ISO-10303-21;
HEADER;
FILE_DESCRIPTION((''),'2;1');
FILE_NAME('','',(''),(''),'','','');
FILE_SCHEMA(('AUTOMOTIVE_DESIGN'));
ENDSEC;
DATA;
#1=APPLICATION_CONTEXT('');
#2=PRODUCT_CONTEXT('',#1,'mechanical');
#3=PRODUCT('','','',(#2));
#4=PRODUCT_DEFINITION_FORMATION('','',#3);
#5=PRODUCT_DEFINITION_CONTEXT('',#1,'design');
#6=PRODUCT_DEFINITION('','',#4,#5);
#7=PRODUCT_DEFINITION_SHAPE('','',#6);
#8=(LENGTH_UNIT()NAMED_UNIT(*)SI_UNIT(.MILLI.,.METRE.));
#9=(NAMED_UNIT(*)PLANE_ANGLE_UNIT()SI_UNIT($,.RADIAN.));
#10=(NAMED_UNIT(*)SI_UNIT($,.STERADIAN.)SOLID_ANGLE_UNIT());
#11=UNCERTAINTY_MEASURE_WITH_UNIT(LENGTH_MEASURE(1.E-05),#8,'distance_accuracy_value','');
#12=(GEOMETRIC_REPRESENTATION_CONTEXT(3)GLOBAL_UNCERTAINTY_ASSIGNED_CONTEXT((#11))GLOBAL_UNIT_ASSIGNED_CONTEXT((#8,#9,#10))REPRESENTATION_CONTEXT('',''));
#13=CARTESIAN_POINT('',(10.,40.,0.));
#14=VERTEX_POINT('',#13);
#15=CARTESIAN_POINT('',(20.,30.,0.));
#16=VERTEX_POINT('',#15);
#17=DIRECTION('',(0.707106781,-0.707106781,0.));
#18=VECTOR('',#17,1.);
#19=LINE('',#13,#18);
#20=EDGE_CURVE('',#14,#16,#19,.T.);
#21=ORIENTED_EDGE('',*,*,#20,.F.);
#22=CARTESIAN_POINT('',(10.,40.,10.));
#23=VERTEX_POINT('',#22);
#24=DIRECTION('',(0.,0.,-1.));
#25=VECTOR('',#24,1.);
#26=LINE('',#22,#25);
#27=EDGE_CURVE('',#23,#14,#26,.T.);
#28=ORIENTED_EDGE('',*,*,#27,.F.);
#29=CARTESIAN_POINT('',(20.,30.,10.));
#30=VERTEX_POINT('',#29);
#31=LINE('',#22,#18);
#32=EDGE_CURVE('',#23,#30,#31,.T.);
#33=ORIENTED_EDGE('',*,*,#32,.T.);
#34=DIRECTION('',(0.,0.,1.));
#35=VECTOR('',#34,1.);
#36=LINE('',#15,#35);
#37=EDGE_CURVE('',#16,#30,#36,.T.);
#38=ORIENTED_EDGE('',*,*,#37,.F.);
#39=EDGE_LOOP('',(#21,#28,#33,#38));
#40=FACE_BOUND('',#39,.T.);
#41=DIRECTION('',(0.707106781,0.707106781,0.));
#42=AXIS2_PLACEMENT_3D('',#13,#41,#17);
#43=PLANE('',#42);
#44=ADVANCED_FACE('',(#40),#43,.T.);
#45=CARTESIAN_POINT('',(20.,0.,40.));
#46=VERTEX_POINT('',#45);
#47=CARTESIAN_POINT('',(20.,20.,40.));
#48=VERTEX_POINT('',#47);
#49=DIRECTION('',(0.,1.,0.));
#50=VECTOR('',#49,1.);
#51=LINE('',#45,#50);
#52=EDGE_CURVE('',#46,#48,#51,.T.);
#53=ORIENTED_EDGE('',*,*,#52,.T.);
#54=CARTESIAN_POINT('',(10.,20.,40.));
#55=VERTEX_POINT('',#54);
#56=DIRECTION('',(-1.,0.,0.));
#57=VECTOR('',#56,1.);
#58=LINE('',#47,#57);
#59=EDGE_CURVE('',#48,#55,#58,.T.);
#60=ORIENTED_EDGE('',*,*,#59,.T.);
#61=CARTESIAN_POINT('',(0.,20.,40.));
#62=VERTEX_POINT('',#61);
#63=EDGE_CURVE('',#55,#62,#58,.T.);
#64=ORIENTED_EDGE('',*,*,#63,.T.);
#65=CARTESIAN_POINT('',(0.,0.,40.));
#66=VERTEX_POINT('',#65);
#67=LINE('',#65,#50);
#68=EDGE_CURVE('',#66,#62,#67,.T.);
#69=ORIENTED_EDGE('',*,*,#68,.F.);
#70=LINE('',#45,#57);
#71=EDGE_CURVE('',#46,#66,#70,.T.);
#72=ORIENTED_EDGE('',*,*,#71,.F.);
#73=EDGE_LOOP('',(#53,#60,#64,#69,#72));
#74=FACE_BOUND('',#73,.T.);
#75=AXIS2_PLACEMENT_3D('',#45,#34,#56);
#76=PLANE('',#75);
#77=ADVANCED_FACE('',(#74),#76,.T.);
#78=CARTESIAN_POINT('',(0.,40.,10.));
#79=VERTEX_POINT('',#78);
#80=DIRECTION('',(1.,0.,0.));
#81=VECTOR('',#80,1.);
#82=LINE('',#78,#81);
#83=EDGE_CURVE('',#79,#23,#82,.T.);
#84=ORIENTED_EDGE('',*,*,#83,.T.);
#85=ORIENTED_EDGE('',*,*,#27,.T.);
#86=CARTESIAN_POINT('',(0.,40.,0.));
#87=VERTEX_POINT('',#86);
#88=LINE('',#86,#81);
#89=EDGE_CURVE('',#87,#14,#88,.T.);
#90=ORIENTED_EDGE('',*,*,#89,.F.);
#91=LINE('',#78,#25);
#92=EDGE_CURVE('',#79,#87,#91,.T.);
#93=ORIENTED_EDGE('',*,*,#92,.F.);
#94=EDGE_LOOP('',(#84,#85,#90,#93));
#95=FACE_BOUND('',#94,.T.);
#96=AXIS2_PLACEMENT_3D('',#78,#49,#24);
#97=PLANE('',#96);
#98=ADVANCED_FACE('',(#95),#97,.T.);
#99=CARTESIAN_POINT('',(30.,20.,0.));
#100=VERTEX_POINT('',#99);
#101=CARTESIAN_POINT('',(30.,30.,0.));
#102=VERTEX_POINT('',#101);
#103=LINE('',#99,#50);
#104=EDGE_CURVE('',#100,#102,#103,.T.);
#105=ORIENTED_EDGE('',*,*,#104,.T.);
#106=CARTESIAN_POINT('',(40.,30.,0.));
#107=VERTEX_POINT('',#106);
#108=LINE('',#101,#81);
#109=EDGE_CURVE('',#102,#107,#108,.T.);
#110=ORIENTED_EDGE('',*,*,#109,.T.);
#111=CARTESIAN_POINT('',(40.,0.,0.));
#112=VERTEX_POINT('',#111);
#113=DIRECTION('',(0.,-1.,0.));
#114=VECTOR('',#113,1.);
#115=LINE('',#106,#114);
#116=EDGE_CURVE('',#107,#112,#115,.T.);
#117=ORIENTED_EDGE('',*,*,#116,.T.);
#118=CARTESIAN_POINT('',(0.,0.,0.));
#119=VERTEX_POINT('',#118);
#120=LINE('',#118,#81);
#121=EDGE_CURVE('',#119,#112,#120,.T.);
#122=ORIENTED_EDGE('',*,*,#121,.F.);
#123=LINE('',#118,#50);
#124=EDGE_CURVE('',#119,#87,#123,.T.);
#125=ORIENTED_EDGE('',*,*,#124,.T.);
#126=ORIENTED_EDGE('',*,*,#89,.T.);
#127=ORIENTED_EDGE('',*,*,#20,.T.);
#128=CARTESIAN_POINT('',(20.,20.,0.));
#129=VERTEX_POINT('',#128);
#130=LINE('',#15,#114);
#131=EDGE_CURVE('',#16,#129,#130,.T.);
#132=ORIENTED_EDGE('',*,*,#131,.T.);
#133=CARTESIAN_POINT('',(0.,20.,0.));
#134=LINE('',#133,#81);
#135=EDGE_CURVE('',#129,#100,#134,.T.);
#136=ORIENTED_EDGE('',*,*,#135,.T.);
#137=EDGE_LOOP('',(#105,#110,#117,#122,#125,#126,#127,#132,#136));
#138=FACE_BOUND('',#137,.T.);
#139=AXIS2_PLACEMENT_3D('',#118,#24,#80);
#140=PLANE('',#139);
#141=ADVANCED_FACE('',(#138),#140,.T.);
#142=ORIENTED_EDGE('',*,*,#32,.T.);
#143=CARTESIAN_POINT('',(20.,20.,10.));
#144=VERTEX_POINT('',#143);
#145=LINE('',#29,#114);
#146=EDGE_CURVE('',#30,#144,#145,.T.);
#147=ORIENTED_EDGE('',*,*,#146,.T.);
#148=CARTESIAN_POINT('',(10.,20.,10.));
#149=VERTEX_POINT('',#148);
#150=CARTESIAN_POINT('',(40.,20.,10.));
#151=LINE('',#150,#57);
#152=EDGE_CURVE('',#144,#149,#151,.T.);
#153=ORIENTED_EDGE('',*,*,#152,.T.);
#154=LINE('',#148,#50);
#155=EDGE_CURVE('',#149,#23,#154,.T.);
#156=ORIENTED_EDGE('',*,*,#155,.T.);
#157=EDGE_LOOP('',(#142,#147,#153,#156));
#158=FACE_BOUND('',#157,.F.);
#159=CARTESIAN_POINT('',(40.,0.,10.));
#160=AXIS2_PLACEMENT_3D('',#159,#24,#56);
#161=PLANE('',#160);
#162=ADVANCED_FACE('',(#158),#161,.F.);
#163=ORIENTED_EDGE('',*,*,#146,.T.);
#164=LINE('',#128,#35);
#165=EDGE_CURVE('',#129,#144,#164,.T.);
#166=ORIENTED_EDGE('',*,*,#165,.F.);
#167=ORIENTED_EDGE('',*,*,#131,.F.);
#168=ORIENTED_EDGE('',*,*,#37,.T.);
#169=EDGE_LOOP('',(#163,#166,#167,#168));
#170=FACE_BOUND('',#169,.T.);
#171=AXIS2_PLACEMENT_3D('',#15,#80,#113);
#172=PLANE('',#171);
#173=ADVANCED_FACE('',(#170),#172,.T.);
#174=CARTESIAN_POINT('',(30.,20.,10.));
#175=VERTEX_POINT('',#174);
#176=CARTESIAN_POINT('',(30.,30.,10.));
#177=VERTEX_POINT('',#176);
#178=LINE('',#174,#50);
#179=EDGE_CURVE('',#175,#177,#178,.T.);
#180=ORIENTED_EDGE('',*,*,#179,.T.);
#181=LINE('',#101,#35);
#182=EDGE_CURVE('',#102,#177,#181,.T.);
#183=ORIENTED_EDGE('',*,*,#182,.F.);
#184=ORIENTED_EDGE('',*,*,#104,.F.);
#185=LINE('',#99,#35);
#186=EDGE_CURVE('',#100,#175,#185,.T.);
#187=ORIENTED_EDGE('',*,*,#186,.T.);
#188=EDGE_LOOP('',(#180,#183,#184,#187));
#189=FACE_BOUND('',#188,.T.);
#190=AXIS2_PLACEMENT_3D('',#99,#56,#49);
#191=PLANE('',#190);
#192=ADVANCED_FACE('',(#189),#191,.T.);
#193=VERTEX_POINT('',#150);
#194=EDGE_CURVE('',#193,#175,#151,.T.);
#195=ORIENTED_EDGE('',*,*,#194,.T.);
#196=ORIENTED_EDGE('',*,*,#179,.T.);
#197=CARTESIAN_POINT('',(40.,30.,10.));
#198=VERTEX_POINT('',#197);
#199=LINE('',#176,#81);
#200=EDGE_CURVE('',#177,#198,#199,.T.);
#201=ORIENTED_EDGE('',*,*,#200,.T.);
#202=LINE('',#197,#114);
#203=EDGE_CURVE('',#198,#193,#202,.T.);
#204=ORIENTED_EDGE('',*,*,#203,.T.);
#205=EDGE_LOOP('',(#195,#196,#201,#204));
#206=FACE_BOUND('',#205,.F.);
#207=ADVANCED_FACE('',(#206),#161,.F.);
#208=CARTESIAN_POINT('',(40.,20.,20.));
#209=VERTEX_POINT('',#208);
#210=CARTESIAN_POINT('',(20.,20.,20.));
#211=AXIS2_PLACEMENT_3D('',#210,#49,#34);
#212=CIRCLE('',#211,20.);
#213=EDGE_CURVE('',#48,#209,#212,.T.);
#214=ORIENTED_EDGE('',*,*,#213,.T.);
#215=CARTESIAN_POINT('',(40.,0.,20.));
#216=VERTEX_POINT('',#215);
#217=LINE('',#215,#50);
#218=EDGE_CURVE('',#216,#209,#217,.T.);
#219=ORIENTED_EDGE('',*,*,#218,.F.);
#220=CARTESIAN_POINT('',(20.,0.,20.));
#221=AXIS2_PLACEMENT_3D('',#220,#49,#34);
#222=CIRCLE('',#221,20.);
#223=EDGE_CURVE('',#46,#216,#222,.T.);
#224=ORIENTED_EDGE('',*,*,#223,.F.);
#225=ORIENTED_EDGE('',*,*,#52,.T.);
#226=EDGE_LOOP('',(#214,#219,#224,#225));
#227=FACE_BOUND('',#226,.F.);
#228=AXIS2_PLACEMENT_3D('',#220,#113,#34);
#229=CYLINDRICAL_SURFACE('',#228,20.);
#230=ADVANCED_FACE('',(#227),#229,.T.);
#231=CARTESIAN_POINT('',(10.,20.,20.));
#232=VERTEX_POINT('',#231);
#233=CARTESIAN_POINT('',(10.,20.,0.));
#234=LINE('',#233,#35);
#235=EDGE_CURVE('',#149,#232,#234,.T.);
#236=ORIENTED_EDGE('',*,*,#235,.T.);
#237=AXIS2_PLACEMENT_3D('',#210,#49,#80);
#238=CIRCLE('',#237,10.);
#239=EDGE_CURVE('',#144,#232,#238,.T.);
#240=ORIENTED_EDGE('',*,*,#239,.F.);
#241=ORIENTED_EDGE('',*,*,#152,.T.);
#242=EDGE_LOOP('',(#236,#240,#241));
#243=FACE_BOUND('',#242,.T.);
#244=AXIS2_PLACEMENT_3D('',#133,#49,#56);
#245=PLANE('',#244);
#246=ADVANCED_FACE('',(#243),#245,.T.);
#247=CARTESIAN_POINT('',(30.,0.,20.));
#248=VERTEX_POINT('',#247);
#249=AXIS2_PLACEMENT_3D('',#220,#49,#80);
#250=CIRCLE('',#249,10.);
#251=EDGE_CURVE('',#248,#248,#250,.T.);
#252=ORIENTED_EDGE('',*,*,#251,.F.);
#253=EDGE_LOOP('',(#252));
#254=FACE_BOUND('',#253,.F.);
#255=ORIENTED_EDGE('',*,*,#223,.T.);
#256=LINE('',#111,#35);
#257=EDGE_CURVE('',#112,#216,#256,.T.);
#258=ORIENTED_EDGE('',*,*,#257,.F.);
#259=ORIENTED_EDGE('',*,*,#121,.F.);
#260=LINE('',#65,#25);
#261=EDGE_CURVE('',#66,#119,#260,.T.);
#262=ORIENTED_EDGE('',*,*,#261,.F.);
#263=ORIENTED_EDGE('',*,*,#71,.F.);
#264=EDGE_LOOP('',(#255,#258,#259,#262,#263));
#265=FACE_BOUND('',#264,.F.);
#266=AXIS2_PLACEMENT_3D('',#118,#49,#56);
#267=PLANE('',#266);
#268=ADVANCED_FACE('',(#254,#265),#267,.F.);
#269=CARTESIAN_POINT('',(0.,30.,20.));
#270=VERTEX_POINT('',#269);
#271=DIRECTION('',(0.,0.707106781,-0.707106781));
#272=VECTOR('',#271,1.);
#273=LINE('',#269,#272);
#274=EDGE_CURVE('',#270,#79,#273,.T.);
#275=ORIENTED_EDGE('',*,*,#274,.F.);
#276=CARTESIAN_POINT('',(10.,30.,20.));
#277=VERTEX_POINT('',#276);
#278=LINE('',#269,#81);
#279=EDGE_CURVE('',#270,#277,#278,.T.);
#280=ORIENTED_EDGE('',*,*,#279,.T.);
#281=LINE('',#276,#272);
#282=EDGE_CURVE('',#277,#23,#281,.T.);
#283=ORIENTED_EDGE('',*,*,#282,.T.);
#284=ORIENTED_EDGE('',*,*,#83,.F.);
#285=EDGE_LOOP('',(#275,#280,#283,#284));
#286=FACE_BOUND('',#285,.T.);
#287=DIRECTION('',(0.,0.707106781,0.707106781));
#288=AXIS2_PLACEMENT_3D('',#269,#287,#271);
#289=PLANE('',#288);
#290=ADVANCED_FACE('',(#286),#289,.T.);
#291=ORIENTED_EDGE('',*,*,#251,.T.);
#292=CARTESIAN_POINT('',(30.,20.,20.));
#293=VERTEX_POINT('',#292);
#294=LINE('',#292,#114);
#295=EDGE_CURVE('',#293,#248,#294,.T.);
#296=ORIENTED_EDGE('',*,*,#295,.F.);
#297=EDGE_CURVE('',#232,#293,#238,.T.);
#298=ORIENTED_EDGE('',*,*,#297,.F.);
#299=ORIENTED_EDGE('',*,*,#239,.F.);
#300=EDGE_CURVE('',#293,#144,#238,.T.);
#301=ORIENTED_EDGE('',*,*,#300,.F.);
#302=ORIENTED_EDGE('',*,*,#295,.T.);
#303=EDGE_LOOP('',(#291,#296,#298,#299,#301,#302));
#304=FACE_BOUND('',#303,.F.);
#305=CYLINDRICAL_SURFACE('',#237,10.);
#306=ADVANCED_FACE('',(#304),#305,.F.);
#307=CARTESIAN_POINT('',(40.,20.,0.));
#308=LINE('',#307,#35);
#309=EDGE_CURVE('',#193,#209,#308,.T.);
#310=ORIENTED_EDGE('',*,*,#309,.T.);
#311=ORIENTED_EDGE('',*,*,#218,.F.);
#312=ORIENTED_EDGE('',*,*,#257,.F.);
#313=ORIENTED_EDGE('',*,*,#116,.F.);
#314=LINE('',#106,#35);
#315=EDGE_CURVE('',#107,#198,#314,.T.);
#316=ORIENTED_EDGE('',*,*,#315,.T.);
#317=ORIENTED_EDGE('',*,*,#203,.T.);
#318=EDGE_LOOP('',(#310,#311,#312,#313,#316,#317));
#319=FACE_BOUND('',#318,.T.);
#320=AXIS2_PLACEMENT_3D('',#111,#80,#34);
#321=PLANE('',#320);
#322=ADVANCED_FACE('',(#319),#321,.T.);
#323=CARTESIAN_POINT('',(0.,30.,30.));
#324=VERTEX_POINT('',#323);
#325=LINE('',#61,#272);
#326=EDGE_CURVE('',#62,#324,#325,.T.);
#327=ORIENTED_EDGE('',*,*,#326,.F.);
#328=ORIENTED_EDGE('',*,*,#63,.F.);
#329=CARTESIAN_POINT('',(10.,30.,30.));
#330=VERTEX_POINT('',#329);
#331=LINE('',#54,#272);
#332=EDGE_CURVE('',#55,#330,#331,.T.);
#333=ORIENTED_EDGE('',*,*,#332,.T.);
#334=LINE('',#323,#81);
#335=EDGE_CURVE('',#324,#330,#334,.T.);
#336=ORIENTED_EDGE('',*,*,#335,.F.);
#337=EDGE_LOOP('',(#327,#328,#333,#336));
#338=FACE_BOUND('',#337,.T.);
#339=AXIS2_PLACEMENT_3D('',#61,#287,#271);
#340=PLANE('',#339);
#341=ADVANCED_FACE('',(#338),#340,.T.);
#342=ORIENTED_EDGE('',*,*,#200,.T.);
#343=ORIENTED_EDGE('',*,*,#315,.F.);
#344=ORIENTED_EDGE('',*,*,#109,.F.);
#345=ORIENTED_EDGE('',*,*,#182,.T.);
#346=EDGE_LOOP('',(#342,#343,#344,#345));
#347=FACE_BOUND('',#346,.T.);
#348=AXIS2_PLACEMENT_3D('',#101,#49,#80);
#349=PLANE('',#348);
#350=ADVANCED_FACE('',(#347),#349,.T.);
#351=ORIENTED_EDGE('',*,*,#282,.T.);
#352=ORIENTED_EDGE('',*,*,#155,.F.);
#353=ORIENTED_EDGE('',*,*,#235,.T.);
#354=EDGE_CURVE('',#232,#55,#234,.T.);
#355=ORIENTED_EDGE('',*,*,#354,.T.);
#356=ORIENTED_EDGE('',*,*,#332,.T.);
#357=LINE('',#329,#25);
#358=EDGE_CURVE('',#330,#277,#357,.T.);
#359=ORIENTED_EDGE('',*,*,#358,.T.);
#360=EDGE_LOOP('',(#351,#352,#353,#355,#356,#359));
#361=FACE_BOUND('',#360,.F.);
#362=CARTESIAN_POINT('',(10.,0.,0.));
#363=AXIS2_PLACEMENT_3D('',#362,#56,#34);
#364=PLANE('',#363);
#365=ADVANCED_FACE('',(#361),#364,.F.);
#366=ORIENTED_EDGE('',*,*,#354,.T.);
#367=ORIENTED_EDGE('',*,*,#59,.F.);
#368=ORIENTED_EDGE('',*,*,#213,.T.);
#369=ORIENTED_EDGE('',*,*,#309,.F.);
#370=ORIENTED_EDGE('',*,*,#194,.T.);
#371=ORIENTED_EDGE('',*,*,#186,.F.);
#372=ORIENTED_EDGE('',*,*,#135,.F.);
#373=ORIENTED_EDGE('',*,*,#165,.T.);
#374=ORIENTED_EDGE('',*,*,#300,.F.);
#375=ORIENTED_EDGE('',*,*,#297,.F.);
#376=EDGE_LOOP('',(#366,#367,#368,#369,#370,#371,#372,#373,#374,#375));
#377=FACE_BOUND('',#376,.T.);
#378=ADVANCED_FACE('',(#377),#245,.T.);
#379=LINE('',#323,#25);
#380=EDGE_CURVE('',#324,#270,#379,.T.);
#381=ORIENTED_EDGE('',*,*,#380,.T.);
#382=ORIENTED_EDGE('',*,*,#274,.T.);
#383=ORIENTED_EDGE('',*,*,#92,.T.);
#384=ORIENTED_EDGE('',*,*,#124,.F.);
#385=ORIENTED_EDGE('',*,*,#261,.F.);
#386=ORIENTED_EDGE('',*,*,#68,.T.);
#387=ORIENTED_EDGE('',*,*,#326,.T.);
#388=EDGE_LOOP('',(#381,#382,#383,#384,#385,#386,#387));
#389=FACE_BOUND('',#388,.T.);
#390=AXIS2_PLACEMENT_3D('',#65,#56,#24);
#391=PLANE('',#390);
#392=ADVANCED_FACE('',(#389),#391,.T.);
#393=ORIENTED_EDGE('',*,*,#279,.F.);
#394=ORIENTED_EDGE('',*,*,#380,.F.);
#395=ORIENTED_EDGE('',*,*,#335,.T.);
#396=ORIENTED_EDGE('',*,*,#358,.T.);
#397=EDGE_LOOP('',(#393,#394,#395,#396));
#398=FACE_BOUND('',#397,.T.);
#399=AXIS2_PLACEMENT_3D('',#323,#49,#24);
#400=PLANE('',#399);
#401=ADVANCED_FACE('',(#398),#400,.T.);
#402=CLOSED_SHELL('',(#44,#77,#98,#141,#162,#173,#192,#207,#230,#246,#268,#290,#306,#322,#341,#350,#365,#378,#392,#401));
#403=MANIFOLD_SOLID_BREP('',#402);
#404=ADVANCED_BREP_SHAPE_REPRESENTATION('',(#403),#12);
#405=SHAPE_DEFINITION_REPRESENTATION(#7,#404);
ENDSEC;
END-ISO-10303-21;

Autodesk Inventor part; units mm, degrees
ref_plane "YZ Plane" through (0, 0, 0) normal (1, 0, 0) x (0, 1, 0)
ref_plane "XZ Plane" through (0, 0, 0) normal (0, 1, 0) x (-1, 0, 0)
ref_plane "XY Plane" through (0, 0, 0) normal (0, 0, 1) x (1, 0, 0)
sketch "草圖1" plane through (0, 0, 0) normal (0, 1, 0) x (-1, 0, 0)
  line L0 (0, 0) -> (-40, 0)
  line L1 (-40, 0) -> (-40, 20)
  arc A0 (-20, 40) -> (-40, 20) centre (-20, 20) ccw
  line L2 (-20, 40) -> (0, 40)
  line L3 (0, 40) -> (0, 0)
  dimension "d0" = 40
  dimension "d1" = 40
  dimension "d2" = 20
extrude "擠出1" add sketch "草圖1" along normal blind 20
sketch "草圖2" plane through (0, 0, 0) normal (-1, 0, 0) x (0, 0, 1)
  line L0 (0, 0) -> (0, 20) projected
  line L1 (0, 20) -> (40, 20) projected
  line L2 (40, 20) -> (40, 0) projected
  line L3 (40, 0) -> (0, 0) projected
  line L4 (40, 20) -> (30, 30)
  line L5 (30, 30) -> (20, 30)
  line L6 (20, 30) -> (10, 40)
  line L7 (10, 40) -> (0, 40)
  line L8 (0, 40) -> (0, 20)
  line L9 (40, 20) -> (0, 20)
  dimension "d5" = 10
  dimension "d6" = 10
  dimension "d7" = 10
  dimension "d8" = 10
extrude "擠出2" add sketch "草圖2" against normal blind 10 contours L8 L7 L6 L5 L4 L1
sketch "草圖3" plane through (40, 0, 0) normal (0, 0, -1) x (-1, 0, 0)
  line L0 (30, 40) -> (40, 40) projected
  line L1 (40, 40) -> (40, 0) projected
  line L2 (40, 0) -> (0, 0) projected
  line L3 (0, 0) -> (0, 20) projected
  line L4 (0, 20) -> (30, 20) projected
  line L5 (30, 20) -> (30, 40) projected
  line L6 (30, 40) -> (40, 40) projected
  line L7 (40, 40) -> (40, 0) projected
  line L8 (40, 0) -> (0, 0) projected
  line L9 (0, 0) -> (0, 20) projected
  line L10 (0, 20) -> (30, 20) projected
  line L11 (30, 20) -> (30, 40) projected
  line L12 (30, 40) -> (20, 30)
  line L13 (20, 30) -> (20, 20)
  line L14 (0, 20) -> (10, 20)
  line L15 (10, 20) -> (10, 30)
  line L16 (10, 30) -> (0, 30)
  line L17 (0, 30) -> (0, 20)
  point P0 (10, 20)
  dimension "d11" = 10
  dimension "d12" = 10
  dimension "d13" = 10
extrude "擠出3" add sketch "草圖3" against normal blind 10 contours L5 L4 L13 L12 | L4 L17 L16 L15
sketch "草圖4" plane through (0, 20, 0) normal (0, 1, 0) x (1, 0, 0)
  arc A0 (20, -40) -> (40, -20) centre (20, -20) ccw projected
  line L0 (20, -40) -> (10, -40) projected
  line L1 (10, -40) -> (0, -40) projected
  line L2 (0, -40) -> (0, 0) projected
  line L3 (0, 0) -> (20, 0) projected
  line L4 (20, 0) -> (30, 0) projected
  line L5 (30, -10) -> (30, 0) projected
  line L6 (40, -10) -> (30, -10) projected
  line L7 (40, 0) -> (40, -10) projected
  line L8 (30, 0) -> (40, 0) projected
  line L9 (40, -10) -> (40, -20) projected
  line L10 (10, -10) -> (10, -40) projected
  line L11 (20, -10) -> (10, -10) projected
  line L12 (20, 0) -> (20, -10) projected
  circle A1 centre (20, -20) radius 10
  line L13 (10, -10) -> (10, -40) projected
  line L14 (20, -10) -> (10, -10) projected
  dimension "d16" = 20
extrude "擠出4" cut sketch "草圖4" against normal blind 36.25 contours A1
properties part number "20" material "鋼、碳鋼"
